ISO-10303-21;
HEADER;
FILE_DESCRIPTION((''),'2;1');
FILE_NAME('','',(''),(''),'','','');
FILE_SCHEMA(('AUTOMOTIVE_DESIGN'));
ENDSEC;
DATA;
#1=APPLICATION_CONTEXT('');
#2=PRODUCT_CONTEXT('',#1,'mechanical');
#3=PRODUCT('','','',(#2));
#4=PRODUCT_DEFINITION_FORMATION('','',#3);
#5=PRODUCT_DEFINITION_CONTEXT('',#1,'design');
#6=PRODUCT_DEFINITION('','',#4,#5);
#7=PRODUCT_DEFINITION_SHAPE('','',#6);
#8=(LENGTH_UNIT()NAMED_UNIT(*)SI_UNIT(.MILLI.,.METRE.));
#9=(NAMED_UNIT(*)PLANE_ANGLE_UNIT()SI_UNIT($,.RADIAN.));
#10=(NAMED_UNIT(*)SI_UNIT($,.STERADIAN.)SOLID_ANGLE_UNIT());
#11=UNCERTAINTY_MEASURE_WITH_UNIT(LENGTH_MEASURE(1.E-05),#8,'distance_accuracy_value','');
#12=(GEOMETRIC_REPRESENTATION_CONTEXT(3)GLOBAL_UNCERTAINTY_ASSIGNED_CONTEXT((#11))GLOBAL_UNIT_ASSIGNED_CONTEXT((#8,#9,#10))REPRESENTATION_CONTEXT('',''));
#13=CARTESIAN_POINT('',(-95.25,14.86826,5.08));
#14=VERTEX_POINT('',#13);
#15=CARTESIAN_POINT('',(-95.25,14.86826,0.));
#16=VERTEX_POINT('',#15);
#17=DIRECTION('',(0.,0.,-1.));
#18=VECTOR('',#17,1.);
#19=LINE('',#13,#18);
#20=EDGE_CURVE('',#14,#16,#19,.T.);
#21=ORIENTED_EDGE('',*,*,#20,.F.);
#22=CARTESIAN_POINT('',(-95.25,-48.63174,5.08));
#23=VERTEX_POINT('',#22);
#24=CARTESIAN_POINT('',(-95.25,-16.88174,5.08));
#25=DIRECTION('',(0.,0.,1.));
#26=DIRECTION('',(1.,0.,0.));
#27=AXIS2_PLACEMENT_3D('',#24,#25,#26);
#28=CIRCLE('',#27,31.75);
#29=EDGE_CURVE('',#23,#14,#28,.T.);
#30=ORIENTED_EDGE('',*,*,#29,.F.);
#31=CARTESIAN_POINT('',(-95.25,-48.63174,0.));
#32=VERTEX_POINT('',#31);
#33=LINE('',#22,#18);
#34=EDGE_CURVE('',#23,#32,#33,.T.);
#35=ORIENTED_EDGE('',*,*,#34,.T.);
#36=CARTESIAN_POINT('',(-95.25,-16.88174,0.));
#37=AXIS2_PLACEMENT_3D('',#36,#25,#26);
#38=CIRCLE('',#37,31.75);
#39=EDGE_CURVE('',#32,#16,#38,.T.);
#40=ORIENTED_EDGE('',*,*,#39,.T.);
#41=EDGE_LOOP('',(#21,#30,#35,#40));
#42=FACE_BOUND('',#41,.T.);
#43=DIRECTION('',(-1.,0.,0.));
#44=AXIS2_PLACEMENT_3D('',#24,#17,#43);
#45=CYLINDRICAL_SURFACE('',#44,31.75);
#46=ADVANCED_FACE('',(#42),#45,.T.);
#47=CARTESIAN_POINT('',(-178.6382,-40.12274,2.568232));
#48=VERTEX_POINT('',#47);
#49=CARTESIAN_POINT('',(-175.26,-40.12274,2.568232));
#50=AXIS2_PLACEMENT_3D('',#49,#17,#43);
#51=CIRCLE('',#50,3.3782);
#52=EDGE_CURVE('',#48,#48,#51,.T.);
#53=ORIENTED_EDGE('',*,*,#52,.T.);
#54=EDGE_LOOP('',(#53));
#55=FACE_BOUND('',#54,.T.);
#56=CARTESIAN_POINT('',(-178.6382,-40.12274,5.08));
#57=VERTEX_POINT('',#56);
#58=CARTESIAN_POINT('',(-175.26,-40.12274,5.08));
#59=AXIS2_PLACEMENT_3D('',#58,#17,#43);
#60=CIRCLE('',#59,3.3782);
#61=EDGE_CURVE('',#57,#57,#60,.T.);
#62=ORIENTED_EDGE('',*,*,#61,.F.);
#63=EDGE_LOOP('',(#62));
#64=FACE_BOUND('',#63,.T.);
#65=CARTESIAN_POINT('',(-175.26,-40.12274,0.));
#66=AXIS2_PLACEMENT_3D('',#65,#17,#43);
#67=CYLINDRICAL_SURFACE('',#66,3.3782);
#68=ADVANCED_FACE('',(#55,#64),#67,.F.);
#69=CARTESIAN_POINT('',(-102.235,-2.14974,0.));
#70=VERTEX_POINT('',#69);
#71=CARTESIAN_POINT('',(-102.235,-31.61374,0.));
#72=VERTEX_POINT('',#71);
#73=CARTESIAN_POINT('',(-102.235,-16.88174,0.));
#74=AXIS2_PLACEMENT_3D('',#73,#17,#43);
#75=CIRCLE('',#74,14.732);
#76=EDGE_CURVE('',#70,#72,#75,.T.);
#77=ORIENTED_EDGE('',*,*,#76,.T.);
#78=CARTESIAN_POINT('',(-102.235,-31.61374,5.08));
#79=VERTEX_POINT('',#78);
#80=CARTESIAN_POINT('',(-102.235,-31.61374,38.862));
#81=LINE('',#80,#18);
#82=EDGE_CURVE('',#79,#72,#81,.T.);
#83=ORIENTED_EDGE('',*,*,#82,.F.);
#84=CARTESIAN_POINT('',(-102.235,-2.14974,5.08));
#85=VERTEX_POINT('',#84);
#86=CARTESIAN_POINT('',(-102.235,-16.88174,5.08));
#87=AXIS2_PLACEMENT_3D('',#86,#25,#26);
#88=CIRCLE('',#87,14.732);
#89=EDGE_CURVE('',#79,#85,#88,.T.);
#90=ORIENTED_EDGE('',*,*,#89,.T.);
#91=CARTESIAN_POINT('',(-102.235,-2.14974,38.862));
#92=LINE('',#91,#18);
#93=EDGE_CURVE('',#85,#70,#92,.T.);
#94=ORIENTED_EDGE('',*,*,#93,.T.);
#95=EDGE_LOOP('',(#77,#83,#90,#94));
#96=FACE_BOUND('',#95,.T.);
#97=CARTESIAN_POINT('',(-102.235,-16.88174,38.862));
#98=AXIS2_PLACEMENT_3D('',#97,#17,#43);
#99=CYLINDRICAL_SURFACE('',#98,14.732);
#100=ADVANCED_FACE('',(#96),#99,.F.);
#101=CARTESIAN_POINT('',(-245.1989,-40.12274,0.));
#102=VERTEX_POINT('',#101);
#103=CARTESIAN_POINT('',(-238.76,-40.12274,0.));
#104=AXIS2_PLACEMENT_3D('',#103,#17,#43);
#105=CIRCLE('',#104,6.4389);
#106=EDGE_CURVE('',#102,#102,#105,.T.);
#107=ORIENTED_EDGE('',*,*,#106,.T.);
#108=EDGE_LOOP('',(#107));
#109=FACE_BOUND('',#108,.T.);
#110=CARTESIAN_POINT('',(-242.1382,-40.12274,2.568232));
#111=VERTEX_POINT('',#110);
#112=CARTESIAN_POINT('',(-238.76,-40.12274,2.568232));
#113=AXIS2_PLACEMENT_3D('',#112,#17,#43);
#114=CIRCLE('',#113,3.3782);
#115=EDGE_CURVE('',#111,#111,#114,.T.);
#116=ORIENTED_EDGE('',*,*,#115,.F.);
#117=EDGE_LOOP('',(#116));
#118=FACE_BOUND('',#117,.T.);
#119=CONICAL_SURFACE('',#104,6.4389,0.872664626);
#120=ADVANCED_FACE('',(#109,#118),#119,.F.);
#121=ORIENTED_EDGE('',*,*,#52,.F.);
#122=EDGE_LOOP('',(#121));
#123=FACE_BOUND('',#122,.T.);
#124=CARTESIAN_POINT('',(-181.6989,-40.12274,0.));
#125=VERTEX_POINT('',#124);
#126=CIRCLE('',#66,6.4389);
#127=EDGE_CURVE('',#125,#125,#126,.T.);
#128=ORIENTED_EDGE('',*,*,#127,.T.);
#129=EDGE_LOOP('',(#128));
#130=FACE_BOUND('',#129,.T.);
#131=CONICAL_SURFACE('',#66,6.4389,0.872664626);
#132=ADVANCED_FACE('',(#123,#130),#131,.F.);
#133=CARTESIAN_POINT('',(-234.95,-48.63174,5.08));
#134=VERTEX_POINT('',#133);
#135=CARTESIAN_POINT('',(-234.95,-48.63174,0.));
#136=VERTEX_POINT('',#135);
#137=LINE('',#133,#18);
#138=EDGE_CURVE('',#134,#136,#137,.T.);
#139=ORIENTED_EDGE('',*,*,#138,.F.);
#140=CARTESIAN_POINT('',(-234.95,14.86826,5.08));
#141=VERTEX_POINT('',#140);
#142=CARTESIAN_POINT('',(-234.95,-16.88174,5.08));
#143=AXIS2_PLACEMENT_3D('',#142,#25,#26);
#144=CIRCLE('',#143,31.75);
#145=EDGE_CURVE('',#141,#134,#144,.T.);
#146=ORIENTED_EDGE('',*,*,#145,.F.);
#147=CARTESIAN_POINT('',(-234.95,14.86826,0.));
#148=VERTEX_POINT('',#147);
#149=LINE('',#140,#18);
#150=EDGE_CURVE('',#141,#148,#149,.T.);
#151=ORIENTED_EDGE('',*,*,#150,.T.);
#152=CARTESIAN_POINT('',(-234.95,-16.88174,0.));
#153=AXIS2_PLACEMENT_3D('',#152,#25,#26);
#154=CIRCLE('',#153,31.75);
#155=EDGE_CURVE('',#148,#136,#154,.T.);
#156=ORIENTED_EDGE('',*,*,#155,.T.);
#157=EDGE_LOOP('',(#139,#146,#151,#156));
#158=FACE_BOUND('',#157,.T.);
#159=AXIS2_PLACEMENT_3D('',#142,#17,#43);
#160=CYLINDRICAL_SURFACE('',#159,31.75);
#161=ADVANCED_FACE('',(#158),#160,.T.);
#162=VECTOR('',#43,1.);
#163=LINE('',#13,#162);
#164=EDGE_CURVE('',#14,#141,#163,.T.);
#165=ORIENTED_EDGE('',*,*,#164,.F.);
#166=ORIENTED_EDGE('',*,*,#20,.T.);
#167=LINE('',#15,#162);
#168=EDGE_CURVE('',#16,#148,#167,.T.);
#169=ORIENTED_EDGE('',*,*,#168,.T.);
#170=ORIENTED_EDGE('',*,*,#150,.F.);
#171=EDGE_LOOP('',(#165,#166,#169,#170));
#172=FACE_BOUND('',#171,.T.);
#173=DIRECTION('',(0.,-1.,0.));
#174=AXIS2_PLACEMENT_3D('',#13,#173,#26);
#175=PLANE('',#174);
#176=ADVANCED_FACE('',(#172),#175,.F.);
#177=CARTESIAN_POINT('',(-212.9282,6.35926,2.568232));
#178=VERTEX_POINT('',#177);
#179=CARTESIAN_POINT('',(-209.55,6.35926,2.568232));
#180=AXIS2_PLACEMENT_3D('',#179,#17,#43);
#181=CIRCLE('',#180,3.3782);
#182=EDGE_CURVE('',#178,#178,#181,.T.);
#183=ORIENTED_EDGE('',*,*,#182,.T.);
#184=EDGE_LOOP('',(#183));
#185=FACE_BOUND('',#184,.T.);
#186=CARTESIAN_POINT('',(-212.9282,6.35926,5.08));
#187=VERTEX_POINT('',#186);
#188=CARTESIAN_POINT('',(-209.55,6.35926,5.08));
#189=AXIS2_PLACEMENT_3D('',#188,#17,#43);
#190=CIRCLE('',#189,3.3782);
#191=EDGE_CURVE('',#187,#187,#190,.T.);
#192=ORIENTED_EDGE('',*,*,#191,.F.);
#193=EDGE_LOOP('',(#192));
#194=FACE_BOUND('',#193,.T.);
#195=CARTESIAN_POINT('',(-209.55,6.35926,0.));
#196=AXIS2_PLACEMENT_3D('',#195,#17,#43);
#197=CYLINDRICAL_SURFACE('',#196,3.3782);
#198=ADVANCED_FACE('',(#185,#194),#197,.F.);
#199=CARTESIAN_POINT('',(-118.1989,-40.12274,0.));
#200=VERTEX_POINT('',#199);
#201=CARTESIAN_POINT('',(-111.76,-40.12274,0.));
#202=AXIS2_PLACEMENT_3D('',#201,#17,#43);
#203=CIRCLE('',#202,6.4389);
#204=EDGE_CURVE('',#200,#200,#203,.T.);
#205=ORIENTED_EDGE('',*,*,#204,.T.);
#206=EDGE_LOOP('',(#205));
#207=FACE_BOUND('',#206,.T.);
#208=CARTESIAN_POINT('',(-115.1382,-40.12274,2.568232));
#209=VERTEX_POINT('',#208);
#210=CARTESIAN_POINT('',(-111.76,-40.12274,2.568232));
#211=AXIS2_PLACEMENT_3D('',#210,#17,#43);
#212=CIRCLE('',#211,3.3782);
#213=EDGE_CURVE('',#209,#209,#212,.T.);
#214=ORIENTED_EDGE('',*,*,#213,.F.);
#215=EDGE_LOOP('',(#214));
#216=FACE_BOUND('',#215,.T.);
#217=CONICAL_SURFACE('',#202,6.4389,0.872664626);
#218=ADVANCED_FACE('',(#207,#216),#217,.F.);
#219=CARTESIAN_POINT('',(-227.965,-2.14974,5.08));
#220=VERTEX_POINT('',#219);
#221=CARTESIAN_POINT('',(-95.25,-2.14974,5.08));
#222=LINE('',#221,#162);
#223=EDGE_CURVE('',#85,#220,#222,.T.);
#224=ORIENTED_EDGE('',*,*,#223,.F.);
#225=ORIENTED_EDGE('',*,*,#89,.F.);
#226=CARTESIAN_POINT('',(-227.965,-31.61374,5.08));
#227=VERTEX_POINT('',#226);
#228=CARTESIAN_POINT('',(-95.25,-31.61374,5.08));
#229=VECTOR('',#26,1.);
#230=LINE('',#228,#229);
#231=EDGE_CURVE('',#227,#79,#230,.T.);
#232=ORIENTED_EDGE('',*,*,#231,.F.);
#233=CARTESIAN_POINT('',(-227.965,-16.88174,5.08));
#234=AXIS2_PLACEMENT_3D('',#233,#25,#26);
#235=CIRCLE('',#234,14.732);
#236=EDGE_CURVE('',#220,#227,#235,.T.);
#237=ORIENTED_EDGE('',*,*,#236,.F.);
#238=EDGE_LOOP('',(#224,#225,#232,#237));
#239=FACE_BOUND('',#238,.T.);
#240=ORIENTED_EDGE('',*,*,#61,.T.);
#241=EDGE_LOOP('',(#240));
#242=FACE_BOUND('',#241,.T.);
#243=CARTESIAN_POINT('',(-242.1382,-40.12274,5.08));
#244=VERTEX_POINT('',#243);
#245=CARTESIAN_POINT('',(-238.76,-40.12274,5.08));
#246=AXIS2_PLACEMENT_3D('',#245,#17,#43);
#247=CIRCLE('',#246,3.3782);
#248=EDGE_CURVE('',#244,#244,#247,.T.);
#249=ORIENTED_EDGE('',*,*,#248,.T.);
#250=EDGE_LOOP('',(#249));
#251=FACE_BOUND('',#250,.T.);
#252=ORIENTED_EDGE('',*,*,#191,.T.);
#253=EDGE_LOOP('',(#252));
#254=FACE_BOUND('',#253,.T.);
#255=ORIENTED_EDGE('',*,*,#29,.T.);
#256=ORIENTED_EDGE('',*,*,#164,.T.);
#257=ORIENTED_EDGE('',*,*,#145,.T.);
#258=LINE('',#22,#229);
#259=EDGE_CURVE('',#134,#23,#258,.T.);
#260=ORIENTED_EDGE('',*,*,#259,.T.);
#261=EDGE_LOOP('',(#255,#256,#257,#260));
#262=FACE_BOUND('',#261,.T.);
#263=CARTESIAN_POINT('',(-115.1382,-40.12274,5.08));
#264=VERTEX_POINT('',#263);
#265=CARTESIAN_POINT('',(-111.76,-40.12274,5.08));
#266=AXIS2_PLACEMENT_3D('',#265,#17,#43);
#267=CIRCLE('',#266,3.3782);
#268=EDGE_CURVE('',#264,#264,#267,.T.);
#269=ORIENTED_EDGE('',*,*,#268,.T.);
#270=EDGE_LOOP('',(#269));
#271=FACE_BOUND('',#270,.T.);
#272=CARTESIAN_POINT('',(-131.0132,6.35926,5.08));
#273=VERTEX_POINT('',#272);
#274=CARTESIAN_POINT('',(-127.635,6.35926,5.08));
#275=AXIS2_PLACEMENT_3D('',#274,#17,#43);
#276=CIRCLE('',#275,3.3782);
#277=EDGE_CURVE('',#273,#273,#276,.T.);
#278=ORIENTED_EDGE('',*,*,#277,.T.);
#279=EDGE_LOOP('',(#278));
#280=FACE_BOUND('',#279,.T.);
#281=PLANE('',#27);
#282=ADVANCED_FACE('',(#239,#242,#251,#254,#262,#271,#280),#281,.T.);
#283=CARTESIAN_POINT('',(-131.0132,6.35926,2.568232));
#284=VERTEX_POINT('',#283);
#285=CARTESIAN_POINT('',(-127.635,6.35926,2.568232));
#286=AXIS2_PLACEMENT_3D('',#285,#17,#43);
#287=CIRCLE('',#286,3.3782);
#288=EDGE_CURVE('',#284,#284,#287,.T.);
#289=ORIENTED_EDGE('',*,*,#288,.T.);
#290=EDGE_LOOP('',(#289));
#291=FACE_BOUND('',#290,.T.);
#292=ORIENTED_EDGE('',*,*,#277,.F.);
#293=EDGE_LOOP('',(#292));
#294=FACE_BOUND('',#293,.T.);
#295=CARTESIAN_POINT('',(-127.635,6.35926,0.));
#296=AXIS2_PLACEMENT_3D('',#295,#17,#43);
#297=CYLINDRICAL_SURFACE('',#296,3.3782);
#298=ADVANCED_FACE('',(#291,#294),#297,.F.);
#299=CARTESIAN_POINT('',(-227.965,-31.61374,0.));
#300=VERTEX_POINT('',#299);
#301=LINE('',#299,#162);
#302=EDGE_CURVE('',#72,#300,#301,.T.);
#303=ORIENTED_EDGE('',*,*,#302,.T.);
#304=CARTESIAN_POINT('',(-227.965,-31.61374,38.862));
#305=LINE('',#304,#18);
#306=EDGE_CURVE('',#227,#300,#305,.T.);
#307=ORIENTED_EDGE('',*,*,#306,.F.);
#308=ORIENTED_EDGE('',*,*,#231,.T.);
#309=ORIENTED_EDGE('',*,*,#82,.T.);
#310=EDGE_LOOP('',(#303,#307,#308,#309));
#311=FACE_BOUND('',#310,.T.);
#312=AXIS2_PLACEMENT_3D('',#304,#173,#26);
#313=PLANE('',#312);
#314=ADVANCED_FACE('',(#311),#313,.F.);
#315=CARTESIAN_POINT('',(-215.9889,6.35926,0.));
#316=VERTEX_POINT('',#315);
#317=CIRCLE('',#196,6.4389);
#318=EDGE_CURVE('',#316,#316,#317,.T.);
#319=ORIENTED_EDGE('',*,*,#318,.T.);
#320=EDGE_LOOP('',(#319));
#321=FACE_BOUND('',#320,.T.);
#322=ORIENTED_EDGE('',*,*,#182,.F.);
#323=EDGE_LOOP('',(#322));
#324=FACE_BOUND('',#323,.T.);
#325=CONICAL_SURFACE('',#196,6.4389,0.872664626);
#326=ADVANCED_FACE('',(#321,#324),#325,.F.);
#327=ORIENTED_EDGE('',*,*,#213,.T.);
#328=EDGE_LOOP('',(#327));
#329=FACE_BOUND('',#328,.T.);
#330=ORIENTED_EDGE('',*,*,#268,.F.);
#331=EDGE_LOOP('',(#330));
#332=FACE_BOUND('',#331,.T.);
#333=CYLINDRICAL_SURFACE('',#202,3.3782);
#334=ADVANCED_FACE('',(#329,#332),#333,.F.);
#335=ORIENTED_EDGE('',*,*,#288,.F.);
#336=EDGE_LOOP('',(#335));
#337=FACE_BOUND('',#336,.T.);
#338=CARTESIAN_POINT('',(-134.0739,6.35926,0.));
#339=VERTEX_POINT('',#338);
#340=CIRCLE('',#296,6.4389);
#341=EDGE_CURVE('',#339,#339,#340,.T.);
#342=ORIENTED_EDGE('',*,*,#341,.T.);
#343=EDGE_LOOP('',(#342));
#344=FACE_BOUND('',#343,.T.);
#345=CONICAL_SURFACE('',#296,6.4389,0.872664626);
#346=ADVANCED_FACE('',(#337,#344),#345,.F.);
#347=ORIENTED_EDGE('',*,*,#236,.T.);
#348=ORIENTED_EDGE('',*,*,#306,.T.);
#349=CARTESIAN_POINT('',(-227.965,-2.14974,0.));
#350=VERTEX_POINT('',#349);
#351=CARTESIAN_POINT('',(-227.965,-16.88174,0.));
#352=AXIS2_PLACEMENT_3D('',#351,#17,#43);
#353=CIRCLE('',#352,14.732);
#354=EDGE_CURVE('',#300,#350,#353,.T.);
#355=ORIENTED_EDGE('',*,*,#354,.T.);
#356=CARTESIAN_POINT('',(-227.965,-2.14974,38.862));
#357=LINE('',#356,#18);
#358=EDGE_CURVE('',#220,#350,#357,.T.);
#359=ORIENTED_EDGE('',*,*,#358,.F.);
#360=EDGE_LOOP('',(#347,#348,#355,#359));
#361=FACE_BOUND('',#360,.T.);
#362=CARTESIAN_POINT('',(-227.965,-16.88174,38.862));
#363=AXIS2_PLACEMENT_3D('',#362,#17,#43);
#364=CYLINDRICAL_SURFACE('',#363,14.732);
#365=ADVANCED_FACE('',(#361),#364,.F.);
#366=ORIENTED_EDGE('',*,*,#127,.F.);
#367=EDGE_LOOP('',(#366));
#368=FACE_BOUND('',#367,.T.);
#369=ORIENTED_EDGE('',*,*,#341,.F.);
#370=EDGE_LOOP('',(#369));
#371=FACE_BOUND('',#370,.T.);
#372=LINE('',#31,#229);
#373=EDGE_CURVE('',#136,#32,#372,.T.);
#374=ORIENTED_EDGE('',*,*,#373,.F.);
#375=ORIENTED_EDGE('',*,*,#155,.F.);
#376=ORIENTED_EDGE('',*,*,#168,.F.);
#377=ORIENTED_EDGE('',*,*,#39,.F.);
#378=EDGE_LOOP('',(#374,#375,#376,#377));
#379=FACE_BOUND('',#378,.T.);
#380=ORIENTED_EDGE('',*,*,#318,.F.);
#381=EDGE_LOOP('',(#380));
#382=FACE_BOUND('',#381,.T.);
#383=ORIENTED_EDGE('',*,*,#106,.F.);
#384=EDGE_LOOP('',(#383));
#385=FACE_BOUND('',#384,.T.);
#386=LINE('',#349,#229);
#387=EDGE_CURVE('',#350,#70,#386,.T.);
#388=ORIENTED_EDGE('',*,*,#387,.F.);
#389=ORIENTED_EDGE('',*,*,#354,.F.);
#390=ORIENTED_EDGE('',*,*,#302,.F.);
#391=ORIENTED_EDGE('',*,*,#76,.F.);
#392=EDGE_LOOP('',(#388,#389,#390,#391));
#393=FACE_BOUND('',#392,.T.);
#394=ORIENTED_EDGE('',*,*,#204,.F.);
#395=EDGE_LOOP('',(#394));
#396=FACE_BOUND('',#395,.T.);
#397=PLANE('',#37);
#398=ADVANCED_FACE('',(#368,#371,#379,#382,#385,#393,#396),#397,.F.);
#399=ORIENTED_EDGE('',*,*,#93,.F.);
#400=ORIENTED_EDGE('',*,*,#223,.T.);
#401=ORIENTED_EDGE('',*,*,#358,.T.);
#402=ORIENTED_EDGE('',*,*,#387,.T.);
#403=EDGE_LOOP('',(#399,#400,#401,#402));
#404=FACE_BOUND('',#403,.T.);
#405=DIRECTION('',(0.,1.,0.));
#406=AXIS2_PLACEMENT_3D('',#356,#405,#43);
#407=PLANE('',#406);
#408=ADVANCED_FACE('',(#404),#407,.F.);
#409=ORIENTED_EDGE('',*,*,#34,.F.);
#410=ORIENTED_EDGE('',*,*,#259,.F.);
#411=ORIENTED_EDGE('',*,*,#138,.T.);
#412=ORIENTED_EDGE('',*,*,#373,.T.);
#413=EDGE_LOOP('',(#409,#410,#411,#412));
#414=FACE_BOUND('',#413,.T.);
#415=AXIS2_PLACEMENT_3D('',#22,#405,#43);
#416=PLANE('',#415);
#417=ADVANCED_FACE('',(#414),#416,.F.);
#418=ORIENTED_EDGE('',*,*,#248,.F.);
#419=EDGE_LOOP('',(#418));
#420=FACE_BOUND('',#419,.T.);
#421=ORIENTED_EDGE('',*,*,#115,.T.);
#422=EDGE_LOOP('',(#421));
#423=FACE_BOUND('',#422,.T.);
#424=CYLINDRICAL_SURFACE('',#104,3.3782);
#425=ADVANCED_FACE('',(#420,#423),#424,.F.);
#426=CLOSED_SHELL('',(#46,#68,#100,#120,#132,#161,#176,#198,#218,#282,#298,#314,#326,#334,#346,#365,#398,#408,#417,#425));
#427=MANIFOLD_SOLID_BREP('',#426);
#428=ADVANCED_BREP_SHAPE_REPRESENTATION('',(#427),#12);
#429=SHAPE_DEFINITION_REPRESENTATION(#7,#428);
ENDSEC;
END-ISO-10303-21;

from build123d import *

# Parameters (mm, degrees)
BOSS_EXTRUDE2_DEPTH                            = 5.08
CUT_EXTRUDE1_DEPTH                             = 38.862
CSK_FOR_1_4_FLAT_HEAD_MACHINE_SCREW_2_COUNT    = 2
CSK_FOR_1_4_FLAT_HEAD_MACHINE_SCREW_2_PITCH    = 81.915
CSK_FOR_1_4_FLAT_HEAD_MACHINE_SCREW_3_AT_COUNT = 2
CSK_FOR_1_4_FLAT_HEAD_MACHINE_SCREW_3_AT_PITCH = 63.5


with BuildPart() as part:
    # Sketch1 → Boss-Extrude2 (new body)
    with BuildSketch(Plane.XY):
        with BuildLine():
            Line((-95.25, -48.631740263), (-234.95, -48.631740263))
            ThreePointArc((-234.95, -48.631740263), (-266.7, -16.881740263), (-234.95, 14.868259737))
            Line((-234.95, 14.868259737), (-95.25, 14.868259737))
            ThreePointArc((-95.25, 14.868259737), (-63.5, -16.881740263), (-95.25, -48.631740263))
        make_face()
    extrude(amount=BOSS_EXTRUDE2_DEPTH)

    # Sketch2 → Cut-Extrude1 (cut)
    with BuildSketch(Plane(origin=(0, 0, 0), x_dir=(-1, 0, 0), z_dir=(0, 0, -1))):
        with BuildLine():
            Line((227.965, -31.613740263), (102.235, -31.613740263))
            ThreePointArc((102.235, -31.613740263), (87.503, -16.881740263), (102.235, -2.149740263))
            Line((102.235, -2.149740263), (227.965, -2.149740263))
            ThreePointArc((227.965, -2.149740263), (242.697, -16.881740263), (227.965, -31.613740263))
        make_face()
    extrude(amount=-CUT_EXTRUDE1_DEPTH, mode=Mode.SUBTRACT)

    # Sketch8 → CSK for 1_4 Flat Head Machine Screw _100 (revolve, cut)
    with BuildSketch(Plane(origin=(-127.635, 6.359259737, 0), x_dir=(0, 1, 0), z_dir=(1, 0, 0))):
        Polygon((0, 0), (0, 5.08), (3.3782, 5.08), (3.3782, 2.568232241), (6.4389, 0), align=None)
    csk_for_1_4_flat_head_machine_screw_100 = revolve(axis=Axis((-127.635, 6.359259737, -6.35), (0, 0, 1)), mode=Mode.SUBTRACT)

    # CSK for 1_4 Flat Head Machine Screw  2: CSK for 1_4 Flat Head Machine Screw _100 ×2
    with Locations(*[(-i * CSK_FOR_1_4_FLAT_HEAD_MACHINE_SCREW_2_PITCH, 0, 0) for i in range(1, CSK_FOR_1_4_FLAT_HEAD_MACHINE_SCREW_2_COUNT)]):
        add(csk_for_1_4_flat_head_machine_screw_100, mode=Mode.SUBTRACT)

    # Sketch9 → CSK for 1_4 Flat Head Machine Screw  3 (revolve, cut)
    with BuildSketch(Plane(origin=(-111.76, -40.122740263, 0), x_dir=(0, 1, 0), z_dir=(1, 0, 0))):
        Polygon((0, 0), (0, 5.08), (3.3782, 5.08), (3.3782, 2.568232241), (6.4389, 0), align=None)
    csk_for_1_4_flat_head_machine_screw_3 = revolve(axis=Axis((-111.76, -40.122740263, -6.35), (0, 0, 1)), mode=Mode.SUBTRACT)

    # CSK for 1_4 Flat Head Machine Screw 3 at: CSK for 1_4 Flat Head Machine Screw  3 ×2
    with Locations(*[(-i * CSK_FOR_1_4_FLAT_HEAD_MACHINE_SCREW_3_AT_PITCH, 0, 0) for i in range(1, CSK_FOR_1_4_FLAT_HEAD_MACHINE_SCREW_3_AT_COUNT)]):
        add(csk_for_1_4_flat_head_machine_screw_3, mode=Mode.SUBTRACT)

    # Sketch10 → CSK for 1_4 Flat Head Machine Screw  4 (revolve, cut)
    with BuildSketch(Plane(origin=(-238.76, -40.122740263, 0), x_dir=(0, 1, 0), z_dir=(1, 0, 0))):
        Polygon((0, 0), (0, 5.08), (3.3782, 5.08), (3.3782, 2.568232241), (6.4389, 0), align=None)
    revolve(axis=Axis((-238.76, -40.122740263, -6.35), (0, 0, 1)), mode=Mode.SUBTRACT)


solid = part.part
